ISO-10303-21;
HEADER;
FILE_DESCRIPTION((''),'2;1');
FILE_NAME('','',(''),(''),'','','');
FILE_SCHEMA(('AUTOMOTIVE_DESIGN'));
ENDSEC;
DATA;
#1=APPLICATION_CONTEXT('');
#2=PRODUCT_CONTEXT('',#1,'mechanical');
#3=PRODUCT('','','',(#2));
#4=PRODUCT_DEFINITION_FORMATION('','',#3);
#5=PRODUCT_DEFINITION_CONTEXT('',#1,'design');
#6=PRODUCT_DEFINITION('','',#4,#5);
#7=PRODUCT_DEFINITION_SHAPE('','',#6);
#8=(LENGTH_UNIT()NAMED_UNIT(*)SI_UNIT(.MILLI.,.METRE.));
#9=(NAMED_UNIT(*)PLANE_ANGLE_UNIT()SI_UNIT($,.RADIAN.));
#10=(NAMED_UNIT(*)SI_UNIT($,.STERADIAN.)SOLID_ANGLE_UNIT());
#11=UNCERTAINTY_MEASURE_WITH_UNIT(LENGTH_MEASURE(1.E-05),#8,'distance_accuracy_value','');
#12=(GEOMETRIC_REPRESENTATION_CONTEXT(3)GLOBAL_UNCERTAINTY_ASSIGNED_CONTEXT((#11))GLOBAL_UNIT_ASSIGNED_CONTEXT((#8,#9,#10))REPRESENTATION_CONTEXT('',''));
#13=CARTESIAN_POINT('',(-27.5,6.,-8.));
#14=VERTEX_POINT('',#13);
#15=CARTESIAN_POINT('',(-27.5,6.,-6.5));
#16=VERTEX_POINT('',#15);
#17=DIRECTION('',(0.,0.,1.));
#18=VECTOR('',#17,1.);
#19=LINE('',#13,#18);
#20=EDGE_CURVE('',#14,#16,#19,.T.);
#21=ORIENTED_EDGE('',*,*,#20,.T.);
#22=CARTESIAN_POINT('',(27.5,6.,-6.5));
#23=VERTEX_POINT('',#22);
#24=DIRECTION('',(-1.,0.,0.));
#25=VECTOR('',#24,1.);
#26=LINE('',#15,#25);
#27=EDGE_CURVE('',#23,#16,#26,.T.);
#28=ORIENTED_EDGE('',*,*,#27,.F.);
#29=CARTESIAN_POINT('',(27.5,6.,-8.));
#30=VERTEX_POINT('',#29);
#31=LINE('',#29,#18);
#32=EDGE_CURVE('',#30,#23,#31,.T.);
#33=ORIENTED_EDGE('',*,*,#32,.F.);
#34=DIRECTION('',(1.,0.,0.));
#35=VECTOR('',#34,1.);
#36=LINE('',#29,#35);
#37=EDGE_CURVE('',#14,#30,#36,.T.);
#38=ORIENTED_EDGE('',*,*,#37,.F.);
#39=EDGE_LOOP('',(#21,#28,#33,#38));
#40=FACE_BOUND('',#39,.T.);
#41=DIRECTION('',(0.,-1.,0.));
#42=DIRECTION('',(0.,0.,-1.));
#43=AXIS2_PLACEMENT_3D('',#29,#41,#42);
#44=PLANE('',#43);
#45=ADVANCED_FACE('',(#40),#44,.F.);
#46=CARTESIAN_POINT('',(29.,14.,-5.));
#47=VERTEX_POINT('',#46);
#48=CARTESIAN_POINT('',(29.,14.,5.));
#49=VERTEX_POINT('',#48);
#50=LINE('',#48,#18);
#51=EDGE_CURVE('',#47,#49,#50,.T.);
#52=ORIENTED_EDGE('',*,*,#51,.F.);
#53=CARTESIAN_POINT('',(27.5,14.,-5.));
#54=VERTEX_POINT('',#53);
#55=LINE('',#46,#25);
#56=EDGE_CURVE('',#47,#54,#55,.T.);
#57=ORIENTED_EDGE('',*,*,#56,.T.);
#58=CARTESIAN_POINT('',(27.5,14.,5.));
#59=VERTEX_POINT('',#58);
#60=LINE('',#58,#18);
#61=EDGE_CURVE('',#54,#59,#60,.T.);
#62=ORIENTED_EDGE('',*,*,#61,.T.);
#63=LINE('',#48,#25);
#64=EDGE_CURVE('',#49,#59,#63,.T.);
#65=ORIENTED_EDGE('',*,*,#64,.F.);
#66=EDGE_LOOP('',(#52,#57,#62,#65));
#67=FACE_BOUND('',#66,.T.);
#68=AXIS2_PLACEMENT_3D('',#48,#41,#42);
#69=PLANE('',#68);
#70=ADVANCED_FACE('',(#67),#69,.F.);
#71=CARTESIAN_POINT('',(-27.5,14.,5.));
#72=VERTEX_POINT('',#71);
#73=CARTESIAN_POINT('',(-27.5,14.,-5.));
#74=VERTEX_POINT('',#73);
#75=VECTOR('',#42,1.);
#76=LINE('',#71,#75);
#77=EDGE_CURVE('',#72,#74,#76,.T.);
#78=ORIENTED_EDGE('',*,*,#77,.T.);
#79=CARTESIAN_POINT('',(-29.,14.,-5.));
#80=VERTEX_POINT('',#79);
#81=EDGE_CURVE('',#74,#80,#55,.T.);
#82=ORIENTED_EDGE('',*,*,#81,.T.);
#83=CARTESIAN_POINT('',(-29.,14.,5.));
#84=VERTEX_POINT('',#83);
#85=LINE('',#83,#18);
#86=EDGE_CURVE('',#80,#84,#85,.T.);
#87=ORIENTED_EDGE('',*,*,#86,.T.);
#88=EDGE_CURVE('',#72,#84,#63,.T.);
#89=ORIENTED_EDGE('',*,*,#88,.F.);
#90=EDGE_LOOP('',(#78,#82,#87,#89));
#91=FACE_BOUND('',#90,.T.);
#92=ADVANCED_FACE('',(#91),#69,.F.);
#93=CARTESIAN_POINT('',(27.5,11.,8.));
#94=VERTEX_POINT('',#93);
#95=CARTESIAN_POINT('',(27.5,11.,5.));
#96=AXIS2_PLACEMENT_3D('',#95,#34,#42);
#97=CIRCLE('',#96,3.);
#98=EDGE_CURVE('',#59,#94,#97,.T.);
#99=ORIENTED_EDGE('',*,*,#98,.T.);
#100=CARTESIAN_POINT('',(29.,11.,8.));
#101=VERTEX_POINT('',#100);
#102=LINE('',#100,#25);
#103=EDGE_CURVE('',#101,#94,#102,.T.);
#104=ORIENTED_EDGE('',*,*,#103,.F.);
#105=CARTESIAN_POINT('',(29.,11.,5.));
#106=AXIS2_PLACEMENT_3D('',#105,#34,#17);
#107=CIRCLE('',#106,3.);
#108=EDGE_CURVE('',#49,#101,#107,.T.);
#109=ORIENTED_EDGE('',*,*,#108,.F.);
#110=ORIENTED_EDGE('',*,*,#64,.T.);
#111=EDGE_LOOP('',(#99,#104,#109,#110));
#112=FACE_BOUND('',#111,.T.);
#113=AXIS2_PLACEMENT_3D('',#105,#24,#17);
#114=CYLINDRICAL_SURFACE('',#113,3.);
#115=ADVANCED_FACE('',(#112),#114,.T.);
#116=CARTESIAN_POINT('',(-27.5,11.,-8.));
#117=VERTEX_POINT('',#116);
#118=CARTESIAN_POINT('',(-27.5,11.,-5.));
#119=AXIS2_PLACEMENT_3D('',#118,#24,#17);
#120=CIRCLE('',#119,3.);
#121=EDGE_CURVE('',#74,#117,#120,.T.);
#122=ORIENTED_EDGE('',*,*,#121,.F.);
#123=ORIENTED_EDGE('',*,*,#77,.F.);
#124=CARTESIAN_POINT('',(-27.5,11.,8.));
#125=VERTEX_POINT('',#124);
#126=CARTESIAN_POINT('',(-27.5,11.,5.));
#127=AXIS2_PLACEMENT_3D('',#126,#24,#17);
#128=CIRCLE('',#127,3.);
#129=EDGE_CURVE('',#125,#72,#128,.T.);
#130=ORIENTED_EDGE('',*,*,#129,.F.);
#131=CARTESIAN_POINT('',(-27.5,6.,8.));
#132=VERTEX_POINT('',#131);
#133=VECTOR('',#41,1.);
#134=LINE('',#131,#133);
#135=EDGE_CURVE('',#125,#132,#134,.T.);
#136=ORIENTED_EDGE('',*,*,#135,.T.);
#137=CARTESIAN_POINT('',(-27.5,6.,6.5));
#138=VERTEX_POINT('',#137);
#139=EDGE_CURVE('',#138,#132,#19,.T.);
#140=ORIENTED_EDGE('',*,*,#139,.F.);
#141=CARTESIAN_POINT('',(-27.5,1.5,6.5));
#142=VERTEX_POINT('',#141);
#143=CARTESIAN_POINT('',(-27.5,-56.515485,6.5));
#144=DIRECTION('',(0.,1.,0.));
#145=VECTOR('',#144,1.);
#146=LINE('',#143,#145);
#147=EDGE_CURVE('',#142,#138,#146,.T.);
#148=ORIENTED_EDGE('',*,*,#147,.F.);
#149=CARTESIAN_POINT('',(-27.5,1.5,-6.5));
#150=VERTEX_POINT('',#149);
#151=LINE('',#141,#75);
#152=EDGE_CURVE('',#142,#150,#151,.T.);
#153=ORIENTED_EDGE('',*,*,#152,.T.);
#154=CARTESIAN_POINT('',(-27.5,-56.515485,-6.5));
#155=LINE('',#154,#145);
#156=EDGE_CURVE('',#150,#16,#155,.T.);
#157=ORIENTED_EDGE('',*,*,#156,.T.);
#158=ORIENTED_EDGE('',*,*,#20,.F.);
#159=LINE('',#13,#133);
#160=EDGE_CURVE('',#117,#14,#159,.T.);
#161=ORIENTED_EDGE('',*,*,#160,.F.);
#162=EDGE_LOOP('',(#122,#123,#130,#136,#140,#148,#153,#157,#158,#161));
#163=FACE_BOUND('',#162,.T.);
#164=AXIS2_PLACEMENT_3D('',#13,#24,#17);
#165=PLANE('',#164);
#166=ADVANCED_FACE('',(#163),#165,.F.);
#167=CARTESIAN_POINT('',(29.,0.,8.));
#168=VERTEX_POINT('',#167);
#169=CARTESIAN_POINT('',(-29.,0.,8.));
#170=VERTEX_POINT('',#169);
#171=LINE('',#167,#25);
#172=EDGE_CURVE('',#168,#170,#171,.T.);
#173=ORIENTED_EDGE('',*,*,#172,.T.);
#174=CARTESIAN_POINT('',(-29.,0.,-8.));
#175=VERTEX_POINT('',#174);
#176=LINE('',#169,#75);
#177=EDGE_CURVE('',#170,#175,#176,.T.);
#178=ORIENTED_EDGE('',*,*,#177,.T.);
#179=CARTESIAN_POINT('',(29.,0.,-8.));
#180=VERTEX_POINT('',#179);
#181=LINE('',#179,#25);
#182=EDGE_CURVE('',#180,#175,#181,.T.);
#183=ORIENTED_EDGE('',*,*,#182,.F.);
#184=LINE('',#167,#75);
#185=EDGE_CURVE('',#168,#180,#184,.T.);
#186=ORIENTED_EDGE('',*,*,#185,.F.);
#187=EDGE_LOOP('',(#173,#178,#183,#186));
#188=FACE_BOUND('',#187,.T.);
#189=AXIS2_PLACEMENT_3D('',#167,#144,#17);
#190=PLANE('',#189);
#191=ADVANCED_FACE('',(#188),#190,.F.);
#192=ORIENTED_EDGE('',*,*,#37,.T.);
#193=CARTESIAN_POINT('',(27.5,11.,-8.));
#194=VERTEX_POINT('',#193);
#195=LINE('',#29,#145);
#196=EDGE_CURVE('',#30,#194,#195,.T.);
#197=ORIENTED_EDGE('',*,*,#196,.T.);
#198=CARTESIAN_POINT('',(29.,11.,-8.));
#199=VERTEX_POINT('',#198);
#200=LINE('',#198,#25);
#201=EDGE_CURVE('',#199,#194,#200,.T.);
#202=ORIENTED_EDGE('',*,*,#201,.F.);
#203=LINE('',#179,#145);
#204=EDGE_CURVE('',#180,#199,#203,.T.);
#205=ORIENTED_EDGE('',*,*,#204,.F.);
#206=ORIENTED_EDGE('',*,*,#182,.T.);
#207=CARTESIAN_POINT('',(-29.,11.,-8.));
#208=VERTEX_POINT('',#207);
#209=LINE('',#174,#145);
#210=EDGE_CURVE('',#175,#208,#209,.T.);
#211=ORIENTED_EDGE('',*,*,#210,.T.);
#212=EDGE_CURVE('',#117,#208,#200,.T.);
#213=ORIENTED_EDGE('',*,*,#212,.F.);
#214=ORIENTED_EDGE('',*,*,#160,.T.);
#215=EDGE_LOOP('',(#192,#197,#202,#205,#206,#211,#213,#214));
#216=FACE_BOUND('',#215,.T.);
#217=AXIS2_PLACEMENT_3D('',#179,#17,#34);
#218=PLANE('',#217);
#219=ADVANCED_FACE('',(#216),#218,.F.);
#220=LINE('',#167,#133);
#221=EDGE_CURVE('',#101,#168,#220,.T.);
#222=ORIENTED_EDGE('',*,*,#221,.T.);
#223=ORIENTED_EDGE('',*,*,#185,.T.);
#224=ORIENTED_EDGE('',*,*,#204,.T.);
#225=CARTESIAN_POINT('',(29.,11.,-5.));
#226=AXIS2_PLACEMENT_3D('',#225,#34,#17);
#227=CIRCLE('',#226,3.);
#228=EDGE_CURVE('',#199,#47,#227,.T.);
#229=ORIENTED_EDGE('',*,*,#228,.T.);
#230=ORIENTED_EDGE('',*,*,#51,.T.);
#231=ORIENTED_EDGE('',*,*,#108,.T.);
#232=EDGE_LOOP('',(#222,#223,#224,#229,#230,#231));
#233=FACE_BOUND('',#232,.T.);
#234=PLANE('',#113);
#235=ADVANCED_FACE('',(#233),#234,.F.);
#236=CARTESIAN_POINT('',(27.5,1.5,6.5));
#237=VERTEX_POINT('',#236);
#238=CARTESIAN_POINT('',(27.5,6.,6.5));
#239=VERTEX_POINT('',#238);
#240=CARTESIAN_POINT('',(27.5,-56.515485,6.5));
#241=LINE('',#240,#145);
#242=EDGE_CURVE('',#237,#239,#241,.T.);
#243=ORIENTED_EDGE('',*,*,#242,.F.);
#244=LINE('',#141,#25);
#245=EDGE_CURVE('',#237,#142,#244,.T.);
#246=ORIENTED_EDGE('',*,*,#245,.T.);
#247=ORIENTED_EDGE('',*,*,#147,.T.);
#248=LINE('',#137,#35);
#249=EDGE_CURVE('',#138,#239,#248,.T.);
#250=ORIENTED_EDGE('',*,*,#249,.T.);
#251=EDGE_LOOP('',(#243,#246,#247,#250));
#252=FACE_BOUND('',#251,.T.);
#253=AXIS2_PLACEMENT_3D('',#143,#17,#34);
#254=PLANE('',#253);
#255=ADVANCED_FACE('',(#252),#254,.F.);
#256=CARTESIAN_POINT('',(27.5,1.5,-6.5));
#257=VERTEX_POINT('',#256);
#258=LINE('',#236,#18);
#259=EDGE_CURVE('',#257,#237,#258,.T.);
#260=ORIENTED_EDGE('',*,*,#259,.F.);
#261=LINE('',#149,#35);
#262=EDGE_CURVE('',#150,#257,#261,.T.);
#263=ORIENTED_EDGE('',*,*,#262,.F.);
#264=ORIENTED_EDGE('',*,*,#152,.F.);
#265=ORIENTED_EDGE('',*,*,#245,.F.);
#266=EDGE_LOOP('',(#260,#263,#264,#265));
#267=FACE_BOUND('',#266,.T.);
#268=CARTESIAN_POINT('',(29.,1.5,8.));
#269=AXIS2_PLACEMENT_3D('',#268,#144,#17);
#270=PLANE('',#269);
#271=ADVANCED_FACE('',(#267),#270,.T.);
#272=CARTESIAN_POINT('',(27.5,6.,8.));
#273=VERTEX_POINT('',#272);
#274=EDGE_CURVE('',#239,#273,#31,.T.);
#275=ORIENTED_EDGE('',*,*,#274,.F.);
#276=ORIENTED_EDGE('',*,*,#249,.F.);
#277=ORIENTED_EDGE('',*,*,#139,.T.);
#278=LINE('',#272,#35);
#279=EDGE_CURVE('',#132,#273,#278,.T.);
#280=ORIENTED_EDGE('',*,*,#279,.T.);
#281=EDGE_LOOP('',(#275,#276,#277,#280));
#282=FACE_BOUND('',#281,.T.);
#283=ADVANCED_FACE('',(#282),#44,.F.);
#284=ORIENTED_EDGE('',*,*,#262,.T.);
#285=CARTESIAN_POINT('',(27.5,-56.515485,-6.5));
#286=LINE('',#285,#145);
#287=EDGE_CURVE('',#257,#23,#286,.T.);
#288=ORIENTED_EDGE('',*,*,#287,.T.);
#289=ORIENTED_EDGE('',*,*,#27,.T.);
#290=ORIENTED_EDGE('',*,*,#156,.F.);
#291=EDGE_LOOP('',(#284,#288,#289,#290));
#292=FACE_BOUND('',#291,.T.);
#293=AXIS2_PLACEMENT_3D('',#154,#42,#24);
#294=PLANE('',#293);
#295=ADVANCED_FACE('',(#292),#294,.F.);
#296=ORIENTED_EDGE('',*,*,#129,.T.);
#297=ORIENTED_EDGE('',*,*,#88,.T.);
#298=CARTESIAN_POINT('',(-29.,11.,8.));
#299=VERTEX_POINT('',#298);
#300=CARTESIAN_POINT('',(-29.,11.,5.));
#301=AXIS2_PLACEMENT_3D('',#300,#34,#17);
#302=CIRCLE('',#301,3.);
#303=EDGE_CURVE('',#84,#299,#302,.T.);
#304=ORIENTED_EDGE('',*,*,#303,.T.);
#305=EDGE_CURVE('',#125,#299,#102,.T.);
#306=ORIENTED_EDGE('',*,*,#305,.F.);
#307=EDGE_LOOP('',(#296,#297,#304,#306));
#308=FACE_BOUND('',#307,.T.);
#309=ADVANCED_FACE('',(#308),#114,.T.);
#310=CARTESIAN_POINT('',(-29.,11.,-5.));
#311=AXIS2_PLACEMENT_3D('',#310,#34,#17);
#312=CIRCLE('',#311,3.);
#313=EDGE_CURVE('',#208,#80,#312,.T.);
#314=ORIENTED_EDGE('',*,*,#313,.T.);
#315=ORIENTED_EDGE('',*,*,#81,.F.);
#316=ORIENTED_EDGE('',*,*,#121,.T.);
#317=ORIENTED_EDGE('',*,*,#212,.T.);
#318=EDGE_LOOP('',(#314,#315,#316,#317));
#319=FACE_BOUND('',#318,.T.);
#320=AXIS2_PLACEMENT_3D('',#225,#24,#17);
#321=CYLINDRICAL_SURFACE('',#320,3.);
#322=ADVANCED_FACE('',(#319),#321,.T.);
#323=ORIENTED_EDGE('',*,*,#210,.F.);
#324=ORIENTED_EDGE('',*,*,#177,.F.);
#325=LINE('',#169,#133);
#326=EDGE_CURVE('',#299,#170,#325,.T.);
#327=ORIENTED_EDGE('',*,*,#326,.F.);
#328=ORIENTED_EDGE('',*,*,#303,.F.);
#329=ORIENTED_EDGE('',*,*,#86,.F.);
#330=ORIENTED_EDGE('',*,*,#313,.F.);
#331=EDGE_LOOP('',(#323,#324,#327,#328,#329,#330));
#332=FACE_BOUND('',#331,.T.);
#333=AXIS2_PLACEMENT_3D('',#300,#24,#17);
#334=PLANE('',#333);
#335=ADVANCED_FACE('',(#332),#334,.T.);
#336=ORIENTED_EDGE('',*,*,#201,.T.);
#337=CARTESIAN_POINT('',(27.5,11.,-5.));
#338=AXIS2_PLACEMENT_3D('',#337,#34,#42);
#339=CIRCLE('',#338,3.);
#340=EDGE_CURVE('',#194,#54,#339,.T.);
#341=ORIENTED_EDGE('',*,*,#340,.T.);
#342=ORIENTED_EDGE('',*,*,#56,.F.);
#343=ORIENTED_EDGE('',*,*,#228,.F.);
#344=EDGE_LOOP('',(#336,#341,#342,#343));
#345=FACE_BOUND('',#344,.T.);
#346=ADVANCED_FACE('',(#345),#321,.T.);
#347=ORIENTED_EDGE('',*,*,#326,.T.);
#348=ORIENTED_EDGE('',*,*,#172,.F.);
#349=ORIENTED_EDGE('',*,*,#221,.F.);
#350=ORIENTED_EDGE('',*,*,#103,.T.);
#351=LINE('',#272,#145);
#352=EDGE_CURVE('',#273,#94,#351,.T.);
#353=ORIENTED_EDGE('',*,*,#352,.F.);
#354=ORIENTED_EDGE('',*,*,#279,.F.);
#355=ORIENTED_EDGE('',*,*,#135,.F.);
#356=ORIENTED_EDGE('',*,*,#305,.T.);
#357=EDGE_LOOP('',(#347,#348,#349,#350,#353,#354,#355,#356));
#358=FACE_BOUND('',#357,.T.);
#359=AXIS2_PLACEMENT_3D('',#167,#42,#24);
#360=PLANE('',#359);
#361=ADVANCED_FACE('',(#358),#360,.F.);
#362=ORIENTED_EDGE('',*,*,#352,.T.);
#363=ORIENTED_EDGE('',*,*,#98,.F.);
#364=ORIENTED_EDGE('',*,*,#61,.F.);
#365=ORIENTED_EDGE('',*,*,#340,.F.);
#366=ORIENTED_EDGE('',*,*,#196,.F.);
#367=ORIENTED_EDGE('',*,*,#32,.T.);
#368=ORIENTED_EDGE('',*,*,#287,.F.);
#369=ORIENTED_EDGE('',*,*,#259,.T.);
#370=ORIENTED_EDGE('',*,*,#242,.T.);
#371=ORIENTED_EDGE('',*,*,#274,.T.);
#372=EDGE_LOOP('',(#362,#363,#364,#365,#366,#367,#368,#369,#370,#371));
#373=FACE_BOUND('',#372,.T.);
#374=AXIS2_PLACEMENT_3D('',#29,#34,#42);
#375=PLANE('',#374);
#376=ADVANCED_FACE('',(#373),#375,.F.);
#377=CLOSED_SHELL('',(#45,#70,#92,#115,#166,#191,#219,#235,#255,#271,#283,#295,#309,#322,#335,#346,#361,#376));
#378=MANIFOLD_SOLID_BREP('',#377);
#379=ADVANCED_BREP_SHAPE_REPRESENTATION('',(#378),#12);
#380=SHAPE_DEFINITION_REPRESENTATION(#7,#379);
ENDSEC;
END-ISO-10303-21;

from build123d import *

# Parameters (mm, degrees)
BOSS_EXTRUDE1_DEPTH     = 29
CUT_EXTRUDE1_DEPTH      = 34.181320046
CUT_EXTRUDE1_DEPTH_BACK = 34.181320046
SKETCH4_W               = 55
SKETCH4_H               = 16
SKETCH5_W               = 55
SKETCH5_H               = 13
CUT_EXTRUDE2_DEPTH      = 4.5


with BuildPart() as part:
    # Sketch3 → Boss-Extrude1 (new, symmetric)
    with BuildSketch(Plane(origin=(0, 0, 0), x_dir=(0, 0, -1), z_dir=(1, 0, 0))):
        with BuildLine():
            Line((-8, 0), (8, 0))
            Line((8, 0), (8, 11))
            ThreePointArc((8, 11), (7.121320344, 13.121320344), (5, 14))
            Line((5, 14), (-5, 14))
            ThreePointArc((-5, 14), (-7.121320344, 13.121320344), (-8, 11))
            Line((-8, 11), (-8, 0))
        make_face()
    extrude(amount=BOSS_EXTRUDE1_DEPTH, both=True)

    # Sketch4 → Cut-Extrude1 (cut, two sides: drawn at the far end of the back side and taken through both)
    with BuildSketch(Plane.XY.offset(-CUT_EXTRUDE1_DEPTH_BACK)):
        with Locations((0, 14)):
            Rectangle(SKETCH4_W, SKETCH4_H)
    extrude(amount=CUT_EXTRUDE1_DEPTH + CUT_EXTRUDE1_DEPTH_BACK, mode=Mode.SUBTRACT)

    # Sketch5 → Cut-Extrude2 (cut)
    with BuildSketch(Plane(origin=(0, 6, 0), x_dir=(1, 0, 0), z_dir=(0, 1, 0))):
        Rectangle(SKETCH5_W, SKETCH5_H)
    extrude(amount=-CUT_EXTRUDE2_DEPTH, mode=Mode.SUBTRACT)


solid = part.part
